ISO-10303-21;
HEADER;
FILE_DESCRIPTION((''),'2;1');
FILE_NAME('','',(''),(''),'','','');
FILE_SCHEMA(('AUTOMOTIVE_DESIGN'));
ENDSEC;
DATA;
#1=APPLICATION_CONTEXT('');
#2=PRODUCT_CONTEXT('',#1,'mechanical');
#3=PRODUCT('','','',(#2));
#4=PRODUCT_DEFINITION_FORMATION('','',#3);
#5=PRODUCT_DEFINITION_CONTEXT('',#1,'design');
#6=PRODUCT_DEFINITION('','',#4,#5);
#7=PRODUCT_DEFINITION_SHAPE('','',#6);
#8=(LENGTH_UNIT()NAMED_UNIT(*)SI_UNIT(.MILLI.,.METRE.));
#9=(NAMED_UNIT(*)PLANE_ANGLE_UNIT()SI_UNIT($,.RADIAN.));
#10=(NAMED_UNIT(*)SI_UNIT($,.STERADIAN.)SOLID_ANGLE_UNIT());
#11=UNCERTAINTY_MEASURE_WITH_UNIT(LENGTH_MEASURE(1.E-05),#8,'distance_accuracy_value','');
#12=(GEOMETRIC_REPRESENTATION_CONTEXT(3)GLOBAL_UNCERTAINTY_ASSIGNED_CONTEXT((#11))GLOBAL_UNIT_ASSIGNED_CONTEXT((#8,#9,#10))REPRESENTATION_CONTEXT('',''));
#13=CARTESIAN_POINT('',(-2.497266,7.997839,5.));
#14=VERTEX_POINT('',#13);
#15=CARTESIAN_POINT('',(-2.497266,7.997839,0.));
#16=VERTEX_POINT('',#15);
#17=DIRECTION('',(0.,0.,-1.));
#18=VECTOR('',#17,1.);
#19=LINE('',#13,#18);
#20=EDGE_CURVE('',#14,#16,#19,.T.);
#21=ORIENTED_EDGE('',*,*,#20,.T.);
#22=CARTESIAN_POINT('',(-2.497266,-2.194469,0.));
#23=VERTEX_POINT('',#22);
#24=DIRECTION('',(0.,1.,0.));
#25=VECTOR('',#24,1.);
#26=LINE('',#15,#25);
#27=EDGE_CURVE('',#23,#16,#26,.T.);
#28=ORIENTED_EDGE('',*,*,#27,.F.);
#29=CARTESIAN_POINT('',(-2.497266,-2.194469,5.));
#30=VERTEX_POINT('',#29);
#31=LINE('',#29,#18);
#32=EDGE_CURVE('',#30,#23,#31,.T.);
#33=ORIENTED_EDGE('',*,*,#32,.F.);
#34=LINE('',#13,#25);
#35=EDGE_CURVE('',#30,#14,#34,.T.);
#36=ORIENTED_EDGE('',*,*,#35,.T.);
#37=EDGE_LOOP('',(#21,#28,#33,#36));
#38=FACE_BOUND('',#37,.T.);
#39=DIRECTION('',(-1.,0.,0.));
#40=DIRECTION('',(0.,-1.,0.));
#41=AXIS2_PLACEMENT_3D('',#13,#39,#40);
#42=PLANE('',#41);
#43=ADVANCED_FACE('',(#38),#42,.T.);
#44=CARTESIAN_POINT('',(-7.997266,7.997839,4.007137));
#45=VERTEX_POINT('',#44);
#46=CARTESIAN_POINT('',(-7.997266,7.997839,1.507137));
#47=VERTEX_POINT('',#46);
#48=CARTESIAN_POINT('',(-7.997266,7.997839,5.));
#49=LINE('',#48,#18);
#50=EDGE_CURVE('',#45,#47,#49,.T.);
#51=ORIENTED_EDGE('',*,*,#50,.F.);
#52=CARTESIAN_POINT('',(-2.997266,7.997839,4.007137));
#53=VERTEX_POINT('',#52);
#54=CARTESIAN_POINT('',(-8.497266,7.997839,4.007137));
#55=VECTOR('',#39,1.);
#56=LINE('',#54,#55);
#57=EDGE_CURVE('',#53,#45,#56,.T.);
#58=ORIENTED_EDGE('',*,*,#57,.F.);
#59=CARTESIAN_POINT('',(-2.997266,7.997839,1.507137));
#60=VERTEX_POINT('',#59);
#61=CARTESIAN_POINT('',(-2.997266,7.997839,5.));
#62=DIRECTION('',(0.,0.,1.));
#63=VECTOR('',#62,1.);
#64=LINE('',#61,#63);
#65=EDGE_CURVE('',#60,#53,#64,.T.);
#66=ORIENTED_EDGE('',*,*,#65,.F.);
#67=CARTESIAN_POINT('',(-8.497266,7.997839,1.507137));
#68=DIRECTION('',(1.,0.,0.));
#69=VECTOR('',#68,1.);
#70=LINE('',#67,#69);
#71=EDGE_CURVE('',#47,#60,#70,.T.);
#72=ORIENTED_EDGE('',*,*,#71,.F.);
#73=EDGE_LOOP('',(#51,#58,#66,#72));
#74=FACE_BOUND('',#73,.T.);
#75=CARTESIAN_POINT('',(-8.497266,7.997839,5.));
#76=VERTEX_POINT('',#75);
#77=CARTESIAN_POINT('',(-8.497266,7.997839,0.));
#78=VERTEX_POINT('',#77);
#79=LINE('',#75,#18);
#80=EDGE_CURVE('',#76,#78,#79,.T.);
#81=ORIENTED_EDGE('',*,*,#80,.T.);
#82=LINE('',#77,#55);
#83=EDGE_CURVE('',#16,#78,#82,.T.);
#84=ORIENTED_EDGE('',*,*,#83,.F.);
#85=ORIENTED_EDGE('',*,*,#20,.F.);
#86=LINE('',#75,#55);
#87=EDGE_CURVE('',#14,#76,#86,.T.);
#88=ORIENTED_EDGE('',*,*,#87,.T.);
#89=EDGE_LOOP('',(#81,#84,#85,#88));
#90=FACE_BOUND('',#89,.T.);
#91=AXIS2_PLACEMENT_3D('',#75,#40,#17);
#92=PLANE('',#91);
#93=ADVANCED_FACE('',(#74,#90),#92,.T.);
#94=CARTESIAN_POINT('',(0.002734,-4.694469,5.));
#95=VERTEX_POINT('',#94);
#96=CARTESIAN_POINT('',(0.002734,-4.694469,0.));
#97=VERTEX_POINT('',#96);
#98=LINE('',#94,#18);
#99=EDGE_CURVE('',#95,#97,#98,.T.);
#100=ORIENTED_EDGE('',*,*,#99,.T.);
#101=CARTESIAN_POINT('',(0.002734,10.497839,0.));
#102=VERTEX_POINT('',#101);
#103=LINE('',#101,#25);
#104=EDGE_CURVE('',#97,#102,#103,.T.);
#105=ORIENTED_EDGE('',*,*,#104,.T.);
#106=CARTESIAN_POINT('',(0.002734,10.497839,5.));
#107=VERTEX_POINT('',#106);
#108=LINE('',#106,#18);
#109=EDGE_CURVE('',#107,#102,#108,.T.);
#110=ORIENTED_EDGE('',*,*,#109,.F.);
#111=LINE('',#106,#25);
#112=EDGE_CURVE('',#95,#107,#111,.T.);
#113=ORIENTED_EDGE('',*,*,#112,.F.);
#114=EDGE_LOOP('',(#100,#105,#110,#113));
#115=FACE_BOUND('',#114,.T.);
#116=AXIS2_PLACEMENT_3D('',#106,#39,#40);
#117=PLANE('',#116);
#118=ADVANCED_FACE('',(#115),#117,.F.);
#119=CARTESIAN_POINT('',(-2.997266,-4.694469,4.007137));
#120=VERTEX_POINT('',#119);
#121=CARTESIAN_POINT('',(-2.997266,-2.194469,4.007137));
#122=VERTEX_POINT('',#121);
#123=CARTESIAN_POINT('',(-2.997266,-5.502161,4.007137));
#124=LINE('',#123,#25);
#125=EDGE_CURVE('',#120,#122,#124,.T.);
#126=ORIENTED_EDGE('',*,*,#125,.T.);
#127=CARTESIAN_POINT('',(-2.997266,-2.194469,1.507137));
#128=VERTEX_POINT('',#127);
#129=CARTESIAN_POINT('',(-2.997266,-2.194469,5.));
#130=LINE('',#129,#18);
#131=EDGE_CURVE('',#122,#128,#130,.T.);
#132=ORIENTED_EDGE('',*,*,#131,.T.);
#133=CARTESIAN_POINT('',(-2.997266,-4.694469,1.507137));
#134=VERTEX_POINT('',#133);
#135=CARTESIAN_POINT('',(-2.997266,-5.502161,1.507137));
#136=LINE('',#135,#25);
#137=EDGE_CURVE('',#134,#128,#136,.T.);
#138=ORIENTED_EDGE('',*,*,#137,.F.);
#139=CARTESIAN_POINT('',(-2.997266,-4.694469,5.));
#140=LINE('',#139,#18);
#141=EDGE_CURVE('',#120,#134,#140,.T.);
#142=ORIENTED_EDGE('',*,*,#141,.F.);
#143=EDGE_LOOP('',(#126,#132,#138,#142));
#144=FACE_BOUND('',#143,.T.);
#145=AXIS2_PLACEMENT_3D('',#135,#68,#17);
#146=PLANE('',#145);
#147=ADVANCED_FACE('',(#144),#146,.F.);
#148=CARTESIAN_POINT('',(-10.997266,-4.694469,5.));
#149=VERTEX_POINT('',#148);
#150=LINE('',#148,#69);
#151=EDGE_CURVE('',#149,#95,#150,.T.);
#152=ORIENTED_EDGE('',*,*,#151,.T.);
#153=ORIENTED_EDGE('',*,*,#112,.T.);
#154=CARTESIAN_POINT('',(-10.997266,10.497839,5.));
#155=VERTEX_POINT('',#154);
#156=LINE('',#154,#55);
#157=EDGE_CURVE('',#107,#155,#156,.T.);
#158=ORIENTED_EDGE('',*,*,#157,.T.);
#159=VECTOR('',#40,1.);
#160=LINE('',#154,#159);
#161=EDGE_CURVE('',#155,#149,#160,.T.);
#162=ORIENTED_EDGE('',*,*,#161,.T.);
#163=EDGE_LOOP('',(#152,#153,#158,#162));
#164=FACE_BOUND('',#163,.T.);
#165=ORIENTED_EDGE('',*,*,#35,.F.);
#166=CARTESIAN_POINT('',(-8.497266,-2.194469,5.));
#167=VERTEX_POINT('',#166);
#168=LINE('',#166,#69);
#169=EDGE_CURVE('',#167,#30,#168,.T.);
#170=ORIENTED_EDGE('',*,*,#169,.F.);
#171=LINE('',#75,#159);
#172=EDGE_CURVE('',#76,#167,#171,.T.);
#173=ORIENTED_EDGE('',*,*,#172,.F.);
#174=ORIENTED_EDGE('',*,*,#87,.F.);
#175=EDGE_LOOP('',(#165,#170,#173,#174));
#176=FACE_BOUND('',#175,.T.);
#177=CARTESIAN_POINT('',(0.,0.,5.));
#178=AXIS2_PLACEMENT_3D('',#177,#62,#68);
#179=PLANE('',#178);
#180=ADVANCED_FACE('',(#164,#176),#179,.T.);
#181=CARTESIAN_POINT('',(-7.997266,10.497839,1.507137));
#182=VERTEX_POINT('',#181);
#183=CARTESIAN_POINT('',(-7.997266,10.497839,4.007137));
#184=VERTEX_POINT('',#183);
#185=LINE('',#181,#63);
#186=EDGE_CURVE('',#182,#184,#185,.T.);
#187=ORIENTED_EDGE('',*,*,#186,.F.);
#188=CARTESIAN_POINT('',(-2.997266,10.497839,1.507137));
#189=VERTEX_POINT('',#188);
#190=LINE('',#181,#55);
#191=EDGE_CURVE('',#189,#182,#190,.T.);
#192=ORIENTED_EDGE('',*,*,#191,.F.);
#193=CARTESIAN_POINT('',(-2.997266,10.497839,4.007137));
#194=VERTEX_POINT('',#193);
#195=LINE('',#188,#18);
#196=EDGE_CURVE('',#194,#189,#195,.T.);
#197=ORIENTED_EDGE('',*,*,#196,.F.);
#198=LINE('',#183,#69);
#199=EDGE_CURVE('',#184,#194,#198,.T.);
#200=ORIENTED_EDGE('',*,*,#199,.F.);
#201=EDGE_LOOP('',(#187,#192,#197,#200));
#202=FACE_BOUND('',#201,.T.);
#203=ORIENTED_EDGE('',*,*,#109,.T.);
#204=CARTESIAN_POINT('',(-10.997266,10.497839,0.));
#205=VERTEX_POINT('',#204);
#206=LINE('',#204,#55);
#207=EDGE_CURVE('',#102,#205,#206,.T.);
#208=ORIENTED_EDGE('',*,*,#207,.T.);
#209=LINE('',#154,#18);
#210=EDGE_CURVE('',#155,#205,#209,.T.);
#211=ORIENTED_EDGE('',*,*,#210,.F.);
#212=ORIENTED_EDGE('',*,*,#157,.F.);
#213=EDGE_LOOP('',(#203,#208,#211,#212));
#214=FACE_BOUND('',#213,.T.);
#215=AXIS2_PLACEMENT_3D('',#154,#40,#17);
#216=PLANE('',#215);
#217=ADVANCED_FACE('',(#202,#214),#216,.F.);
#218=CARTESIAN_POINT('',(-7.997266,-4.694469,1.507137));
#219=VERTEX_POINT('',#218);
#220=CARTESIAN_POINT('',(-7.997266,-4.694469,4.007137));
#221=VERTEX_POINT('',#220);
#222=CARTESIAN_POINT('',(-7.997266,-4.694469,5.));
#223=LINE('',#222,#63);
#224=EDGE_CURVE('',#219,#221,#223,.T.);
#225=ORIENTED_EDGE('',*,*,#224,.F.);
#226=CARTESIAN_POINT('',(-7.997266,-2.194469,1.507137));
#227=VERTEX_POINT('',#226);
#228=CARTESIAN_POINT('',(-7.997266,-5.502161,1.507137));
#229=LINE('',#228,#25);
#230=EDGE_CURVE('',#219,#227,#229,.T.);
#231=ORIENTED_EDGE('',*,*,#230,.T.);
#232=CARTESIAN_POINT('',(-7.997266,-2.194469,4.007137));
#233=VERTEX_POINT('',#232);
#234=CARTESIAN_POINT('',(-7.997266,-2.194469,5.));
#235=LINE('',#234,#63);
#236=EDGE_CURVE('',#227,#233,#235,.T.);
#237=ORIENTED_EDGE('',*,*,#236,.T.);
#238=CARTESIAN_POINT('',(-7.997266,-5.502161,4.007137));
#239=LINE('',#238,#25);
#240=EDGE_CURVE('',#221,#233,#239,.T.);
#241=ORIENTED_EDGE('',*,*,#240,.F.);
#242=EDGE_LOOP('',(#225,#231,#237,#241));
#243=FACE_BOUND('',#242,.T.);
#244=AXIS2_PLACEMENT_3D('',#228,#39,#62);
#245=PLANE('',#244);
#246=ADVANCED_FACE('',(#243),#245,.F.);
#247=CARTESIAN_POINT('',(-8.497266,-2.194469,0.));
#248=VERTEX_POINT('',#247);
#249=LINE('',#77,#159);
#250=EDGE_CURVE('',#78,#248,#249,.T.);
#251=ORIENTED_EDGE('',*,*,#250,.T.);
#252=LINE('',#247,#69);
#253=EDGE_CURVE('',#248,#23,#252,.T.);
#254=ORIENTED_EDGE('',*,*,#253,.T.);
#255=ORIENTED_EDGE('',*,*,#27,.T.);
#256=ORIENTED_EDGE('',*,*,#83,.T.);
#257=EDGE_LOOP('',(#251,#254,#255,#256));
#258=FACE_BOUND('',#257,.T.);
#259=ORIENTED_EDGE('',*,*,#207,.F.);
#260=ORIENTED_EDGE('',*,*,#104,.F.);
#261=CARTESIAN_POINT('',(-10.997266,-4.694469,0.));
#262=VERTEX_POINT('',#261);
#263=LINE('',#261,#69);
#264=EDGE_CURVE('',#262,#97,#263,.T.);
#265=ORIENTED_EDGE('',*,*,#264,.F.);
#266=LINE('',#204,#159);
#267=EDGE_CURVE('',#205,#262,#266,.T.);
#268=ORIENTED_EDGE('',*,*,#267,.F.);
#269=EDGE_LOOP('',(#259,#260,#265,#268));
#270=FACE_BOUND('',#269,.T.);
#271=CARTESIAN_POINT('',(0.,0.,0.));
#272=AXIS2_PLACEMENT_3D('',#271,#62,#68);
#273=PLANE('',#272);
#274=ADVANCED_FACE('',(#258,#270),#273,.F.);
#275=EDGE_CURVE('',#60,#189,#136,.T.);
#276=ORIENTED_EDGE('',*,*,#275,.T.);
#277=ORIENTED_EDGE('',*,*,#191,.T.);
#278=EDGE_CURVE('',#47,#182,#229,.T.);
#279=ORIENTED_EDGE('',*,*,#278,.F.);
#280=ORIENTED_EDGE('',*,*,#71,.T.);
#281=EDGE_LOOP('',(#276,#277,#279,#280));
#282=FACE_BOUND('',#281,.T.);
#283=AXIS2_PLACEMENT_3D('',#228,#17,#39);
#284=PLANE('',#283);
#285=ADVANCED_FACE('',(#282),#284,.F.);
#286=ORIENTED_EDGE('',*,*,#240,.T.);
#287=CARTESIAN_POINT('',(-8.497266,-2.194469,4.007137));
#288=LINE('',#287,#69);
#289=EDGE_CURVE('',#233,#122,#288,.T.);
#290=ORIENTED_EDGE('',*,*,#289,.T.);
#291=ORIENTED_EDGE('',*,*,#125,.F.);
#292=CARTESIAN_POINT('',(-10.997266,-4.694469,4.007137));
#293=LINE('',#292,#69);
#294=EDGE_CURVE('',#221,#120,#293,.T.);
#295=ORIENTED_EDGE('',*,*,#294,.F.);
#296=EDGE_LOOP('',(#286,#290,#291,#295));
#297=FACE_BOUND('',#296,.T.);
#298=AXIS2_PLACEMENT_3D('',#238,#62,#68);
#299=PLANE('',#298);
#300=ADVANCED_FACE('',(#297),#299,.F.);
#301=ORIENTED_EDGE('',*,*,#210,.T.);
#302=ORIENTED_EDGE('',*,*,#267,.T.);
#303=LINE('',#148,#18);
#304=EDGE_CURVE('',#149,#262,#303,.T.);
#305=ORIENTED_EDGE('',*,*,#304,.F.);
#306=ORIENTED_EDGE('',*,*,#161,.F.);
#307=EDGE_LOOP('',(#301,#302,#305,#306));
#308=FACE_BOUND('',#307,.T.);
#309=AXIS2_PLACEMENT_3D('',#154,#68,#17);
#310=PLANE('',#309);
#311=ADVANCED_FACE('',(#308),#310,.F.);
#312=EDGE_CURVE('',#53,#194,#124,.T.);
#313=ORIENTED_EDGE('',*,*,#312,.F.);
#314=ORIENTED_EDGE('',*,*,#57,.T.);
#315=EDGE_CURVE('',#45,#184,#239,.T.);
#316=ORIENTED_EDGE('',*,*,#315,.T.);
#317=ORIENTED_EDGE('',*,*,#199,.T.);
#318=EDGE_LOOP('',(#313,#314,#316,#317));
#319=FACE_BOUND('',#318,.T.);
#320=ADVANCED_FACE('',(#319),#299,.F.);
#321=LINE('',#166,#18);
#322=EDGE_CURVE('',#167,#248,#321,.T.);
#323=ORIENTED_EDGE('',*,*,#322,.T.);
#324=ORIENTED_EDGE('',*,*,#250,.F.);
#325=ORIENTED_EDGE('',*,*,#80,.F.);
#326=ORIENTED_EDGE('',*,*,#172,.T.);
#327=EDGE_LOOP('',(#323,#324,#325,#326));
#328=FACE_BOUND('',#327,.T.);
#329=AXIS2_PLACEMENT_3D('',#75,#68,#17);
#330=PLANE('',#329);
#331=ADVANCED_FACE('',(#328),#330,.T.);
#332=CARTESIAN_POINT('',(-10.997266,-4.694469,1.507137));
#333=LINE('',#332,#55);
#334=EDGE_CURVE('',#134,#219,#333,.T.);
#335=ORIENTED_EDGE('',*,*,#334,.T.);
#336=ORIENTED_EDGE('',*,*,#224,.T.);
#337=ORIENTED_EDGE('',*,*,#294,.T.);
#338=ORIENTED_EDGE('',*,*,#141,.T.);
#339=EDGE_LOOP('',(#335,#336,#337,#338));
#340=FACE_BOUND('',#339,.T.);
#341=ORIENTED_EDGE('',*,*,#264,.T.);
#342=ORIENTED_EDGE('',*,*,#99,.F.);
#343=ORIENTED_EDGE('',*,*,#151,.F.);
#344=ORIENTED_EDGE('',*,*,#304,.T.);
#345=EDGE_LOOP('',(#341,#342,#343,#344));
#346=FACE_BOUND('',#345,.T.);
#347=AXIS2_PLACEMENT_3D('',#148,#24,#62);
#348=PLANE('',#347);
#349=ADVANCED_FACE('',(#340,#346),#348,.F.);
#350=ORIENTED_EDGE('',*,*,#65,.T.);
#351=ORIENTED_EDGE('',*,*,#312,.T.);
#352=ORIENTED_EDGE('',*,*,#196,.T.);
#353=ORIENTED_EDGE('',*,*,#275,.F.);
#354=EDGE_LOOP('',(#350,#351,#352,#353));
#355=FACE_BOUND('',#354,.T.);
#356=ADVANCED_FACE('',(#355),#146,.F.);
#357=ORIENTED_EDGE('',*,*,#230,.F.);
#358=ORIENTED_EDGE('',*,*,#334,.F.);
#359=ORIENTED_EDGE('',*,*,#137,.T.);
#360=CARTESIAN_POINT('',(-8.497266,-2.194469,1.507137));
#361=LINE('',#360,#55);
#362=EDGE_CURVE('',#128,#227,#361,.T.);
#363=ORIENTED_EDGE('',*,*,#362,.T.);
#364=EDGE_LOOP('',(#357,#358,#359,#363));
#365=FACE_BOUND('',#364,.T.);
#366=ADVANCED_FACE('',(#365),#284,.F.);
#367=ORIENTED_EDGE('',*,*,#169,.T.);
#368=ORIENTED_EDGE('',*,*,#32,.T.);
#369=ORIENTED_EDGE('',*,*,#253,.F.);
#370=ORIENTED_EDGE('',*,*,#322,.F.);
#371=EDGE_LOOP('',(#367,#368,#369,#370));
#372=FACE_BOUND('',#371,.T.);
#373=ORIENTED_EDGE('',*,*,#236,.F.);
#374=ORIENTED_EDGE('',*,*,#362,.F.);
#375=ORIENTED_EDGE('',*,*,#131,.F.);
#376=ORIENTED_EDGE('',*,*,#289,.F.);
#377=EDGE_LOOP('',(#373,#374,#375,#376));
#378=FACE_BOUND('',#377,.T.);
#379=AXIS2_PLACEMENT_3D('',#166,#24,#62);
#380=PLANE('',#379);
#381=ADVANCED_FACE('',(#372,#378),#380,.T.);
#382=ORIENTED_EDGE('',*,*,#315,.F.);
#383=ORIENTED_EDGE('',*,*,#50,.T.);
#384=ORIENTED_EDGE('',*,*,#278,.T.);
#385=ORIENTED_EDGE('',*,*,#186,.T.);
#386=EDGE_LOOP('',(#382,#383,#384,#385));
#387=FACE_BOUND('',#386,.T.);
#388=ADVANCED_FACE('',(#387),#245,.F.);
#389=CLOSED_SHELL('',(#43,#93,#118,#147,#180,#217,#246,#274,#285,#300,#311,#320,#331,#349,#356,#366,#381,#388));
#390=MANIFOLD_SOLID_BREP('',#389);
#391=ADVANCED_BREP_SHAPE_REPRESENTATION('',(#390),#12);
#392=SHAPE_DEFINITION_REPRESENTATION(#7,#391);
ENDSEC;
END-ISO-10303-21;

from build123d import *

# Parameters (mm, degrees)
SKETCH2_W           = 11
SKETCH2_H           = 15.192307692
SKETCH2_W_2         = 6
SKETCH2_H_2         = 10.192307692
BOSS_EXTRUDE1_DEPTH = 5
SKETCH3_W           = 5
SKETCH3_H           = 2.5
CUT_EXTRUDE1_DEPTH  = 16


with BuildPart() as part:
    # Sketch2 → Boss-Extrude1 (new body)
    with BuildSketch(Plane.XY):
        with Locations((-5.497265609, 2.901684774)):
            Rectangle(SKETCH2_W, SKETCH2_H)
        with Locations((-5.497265609, 2.901684774)):
            Rectangle(SKETCH2_W_2, SKETCH2_H_2, mode=Mode.SUBTRACT)
    extrude(amount=BOSS_EXTRUDE1_DEPTH)

    # Sketch3 → Cut-Extrude1 (cut)
    with BuildSketch(Plane(origin=(0, 10.49783862, 0), x_dir=(1, 0, 0), z_dir=(0, 1, 0))):
        with Locations((-5.497265609, -2.757136722)):
            Rectangle(SKETCH3_W, SKETCH3_H)
    extrude(amount=-CUT_EXTRUDE1_DEPTH, mode=Mode.SUBTRACT)


solid = part.part
